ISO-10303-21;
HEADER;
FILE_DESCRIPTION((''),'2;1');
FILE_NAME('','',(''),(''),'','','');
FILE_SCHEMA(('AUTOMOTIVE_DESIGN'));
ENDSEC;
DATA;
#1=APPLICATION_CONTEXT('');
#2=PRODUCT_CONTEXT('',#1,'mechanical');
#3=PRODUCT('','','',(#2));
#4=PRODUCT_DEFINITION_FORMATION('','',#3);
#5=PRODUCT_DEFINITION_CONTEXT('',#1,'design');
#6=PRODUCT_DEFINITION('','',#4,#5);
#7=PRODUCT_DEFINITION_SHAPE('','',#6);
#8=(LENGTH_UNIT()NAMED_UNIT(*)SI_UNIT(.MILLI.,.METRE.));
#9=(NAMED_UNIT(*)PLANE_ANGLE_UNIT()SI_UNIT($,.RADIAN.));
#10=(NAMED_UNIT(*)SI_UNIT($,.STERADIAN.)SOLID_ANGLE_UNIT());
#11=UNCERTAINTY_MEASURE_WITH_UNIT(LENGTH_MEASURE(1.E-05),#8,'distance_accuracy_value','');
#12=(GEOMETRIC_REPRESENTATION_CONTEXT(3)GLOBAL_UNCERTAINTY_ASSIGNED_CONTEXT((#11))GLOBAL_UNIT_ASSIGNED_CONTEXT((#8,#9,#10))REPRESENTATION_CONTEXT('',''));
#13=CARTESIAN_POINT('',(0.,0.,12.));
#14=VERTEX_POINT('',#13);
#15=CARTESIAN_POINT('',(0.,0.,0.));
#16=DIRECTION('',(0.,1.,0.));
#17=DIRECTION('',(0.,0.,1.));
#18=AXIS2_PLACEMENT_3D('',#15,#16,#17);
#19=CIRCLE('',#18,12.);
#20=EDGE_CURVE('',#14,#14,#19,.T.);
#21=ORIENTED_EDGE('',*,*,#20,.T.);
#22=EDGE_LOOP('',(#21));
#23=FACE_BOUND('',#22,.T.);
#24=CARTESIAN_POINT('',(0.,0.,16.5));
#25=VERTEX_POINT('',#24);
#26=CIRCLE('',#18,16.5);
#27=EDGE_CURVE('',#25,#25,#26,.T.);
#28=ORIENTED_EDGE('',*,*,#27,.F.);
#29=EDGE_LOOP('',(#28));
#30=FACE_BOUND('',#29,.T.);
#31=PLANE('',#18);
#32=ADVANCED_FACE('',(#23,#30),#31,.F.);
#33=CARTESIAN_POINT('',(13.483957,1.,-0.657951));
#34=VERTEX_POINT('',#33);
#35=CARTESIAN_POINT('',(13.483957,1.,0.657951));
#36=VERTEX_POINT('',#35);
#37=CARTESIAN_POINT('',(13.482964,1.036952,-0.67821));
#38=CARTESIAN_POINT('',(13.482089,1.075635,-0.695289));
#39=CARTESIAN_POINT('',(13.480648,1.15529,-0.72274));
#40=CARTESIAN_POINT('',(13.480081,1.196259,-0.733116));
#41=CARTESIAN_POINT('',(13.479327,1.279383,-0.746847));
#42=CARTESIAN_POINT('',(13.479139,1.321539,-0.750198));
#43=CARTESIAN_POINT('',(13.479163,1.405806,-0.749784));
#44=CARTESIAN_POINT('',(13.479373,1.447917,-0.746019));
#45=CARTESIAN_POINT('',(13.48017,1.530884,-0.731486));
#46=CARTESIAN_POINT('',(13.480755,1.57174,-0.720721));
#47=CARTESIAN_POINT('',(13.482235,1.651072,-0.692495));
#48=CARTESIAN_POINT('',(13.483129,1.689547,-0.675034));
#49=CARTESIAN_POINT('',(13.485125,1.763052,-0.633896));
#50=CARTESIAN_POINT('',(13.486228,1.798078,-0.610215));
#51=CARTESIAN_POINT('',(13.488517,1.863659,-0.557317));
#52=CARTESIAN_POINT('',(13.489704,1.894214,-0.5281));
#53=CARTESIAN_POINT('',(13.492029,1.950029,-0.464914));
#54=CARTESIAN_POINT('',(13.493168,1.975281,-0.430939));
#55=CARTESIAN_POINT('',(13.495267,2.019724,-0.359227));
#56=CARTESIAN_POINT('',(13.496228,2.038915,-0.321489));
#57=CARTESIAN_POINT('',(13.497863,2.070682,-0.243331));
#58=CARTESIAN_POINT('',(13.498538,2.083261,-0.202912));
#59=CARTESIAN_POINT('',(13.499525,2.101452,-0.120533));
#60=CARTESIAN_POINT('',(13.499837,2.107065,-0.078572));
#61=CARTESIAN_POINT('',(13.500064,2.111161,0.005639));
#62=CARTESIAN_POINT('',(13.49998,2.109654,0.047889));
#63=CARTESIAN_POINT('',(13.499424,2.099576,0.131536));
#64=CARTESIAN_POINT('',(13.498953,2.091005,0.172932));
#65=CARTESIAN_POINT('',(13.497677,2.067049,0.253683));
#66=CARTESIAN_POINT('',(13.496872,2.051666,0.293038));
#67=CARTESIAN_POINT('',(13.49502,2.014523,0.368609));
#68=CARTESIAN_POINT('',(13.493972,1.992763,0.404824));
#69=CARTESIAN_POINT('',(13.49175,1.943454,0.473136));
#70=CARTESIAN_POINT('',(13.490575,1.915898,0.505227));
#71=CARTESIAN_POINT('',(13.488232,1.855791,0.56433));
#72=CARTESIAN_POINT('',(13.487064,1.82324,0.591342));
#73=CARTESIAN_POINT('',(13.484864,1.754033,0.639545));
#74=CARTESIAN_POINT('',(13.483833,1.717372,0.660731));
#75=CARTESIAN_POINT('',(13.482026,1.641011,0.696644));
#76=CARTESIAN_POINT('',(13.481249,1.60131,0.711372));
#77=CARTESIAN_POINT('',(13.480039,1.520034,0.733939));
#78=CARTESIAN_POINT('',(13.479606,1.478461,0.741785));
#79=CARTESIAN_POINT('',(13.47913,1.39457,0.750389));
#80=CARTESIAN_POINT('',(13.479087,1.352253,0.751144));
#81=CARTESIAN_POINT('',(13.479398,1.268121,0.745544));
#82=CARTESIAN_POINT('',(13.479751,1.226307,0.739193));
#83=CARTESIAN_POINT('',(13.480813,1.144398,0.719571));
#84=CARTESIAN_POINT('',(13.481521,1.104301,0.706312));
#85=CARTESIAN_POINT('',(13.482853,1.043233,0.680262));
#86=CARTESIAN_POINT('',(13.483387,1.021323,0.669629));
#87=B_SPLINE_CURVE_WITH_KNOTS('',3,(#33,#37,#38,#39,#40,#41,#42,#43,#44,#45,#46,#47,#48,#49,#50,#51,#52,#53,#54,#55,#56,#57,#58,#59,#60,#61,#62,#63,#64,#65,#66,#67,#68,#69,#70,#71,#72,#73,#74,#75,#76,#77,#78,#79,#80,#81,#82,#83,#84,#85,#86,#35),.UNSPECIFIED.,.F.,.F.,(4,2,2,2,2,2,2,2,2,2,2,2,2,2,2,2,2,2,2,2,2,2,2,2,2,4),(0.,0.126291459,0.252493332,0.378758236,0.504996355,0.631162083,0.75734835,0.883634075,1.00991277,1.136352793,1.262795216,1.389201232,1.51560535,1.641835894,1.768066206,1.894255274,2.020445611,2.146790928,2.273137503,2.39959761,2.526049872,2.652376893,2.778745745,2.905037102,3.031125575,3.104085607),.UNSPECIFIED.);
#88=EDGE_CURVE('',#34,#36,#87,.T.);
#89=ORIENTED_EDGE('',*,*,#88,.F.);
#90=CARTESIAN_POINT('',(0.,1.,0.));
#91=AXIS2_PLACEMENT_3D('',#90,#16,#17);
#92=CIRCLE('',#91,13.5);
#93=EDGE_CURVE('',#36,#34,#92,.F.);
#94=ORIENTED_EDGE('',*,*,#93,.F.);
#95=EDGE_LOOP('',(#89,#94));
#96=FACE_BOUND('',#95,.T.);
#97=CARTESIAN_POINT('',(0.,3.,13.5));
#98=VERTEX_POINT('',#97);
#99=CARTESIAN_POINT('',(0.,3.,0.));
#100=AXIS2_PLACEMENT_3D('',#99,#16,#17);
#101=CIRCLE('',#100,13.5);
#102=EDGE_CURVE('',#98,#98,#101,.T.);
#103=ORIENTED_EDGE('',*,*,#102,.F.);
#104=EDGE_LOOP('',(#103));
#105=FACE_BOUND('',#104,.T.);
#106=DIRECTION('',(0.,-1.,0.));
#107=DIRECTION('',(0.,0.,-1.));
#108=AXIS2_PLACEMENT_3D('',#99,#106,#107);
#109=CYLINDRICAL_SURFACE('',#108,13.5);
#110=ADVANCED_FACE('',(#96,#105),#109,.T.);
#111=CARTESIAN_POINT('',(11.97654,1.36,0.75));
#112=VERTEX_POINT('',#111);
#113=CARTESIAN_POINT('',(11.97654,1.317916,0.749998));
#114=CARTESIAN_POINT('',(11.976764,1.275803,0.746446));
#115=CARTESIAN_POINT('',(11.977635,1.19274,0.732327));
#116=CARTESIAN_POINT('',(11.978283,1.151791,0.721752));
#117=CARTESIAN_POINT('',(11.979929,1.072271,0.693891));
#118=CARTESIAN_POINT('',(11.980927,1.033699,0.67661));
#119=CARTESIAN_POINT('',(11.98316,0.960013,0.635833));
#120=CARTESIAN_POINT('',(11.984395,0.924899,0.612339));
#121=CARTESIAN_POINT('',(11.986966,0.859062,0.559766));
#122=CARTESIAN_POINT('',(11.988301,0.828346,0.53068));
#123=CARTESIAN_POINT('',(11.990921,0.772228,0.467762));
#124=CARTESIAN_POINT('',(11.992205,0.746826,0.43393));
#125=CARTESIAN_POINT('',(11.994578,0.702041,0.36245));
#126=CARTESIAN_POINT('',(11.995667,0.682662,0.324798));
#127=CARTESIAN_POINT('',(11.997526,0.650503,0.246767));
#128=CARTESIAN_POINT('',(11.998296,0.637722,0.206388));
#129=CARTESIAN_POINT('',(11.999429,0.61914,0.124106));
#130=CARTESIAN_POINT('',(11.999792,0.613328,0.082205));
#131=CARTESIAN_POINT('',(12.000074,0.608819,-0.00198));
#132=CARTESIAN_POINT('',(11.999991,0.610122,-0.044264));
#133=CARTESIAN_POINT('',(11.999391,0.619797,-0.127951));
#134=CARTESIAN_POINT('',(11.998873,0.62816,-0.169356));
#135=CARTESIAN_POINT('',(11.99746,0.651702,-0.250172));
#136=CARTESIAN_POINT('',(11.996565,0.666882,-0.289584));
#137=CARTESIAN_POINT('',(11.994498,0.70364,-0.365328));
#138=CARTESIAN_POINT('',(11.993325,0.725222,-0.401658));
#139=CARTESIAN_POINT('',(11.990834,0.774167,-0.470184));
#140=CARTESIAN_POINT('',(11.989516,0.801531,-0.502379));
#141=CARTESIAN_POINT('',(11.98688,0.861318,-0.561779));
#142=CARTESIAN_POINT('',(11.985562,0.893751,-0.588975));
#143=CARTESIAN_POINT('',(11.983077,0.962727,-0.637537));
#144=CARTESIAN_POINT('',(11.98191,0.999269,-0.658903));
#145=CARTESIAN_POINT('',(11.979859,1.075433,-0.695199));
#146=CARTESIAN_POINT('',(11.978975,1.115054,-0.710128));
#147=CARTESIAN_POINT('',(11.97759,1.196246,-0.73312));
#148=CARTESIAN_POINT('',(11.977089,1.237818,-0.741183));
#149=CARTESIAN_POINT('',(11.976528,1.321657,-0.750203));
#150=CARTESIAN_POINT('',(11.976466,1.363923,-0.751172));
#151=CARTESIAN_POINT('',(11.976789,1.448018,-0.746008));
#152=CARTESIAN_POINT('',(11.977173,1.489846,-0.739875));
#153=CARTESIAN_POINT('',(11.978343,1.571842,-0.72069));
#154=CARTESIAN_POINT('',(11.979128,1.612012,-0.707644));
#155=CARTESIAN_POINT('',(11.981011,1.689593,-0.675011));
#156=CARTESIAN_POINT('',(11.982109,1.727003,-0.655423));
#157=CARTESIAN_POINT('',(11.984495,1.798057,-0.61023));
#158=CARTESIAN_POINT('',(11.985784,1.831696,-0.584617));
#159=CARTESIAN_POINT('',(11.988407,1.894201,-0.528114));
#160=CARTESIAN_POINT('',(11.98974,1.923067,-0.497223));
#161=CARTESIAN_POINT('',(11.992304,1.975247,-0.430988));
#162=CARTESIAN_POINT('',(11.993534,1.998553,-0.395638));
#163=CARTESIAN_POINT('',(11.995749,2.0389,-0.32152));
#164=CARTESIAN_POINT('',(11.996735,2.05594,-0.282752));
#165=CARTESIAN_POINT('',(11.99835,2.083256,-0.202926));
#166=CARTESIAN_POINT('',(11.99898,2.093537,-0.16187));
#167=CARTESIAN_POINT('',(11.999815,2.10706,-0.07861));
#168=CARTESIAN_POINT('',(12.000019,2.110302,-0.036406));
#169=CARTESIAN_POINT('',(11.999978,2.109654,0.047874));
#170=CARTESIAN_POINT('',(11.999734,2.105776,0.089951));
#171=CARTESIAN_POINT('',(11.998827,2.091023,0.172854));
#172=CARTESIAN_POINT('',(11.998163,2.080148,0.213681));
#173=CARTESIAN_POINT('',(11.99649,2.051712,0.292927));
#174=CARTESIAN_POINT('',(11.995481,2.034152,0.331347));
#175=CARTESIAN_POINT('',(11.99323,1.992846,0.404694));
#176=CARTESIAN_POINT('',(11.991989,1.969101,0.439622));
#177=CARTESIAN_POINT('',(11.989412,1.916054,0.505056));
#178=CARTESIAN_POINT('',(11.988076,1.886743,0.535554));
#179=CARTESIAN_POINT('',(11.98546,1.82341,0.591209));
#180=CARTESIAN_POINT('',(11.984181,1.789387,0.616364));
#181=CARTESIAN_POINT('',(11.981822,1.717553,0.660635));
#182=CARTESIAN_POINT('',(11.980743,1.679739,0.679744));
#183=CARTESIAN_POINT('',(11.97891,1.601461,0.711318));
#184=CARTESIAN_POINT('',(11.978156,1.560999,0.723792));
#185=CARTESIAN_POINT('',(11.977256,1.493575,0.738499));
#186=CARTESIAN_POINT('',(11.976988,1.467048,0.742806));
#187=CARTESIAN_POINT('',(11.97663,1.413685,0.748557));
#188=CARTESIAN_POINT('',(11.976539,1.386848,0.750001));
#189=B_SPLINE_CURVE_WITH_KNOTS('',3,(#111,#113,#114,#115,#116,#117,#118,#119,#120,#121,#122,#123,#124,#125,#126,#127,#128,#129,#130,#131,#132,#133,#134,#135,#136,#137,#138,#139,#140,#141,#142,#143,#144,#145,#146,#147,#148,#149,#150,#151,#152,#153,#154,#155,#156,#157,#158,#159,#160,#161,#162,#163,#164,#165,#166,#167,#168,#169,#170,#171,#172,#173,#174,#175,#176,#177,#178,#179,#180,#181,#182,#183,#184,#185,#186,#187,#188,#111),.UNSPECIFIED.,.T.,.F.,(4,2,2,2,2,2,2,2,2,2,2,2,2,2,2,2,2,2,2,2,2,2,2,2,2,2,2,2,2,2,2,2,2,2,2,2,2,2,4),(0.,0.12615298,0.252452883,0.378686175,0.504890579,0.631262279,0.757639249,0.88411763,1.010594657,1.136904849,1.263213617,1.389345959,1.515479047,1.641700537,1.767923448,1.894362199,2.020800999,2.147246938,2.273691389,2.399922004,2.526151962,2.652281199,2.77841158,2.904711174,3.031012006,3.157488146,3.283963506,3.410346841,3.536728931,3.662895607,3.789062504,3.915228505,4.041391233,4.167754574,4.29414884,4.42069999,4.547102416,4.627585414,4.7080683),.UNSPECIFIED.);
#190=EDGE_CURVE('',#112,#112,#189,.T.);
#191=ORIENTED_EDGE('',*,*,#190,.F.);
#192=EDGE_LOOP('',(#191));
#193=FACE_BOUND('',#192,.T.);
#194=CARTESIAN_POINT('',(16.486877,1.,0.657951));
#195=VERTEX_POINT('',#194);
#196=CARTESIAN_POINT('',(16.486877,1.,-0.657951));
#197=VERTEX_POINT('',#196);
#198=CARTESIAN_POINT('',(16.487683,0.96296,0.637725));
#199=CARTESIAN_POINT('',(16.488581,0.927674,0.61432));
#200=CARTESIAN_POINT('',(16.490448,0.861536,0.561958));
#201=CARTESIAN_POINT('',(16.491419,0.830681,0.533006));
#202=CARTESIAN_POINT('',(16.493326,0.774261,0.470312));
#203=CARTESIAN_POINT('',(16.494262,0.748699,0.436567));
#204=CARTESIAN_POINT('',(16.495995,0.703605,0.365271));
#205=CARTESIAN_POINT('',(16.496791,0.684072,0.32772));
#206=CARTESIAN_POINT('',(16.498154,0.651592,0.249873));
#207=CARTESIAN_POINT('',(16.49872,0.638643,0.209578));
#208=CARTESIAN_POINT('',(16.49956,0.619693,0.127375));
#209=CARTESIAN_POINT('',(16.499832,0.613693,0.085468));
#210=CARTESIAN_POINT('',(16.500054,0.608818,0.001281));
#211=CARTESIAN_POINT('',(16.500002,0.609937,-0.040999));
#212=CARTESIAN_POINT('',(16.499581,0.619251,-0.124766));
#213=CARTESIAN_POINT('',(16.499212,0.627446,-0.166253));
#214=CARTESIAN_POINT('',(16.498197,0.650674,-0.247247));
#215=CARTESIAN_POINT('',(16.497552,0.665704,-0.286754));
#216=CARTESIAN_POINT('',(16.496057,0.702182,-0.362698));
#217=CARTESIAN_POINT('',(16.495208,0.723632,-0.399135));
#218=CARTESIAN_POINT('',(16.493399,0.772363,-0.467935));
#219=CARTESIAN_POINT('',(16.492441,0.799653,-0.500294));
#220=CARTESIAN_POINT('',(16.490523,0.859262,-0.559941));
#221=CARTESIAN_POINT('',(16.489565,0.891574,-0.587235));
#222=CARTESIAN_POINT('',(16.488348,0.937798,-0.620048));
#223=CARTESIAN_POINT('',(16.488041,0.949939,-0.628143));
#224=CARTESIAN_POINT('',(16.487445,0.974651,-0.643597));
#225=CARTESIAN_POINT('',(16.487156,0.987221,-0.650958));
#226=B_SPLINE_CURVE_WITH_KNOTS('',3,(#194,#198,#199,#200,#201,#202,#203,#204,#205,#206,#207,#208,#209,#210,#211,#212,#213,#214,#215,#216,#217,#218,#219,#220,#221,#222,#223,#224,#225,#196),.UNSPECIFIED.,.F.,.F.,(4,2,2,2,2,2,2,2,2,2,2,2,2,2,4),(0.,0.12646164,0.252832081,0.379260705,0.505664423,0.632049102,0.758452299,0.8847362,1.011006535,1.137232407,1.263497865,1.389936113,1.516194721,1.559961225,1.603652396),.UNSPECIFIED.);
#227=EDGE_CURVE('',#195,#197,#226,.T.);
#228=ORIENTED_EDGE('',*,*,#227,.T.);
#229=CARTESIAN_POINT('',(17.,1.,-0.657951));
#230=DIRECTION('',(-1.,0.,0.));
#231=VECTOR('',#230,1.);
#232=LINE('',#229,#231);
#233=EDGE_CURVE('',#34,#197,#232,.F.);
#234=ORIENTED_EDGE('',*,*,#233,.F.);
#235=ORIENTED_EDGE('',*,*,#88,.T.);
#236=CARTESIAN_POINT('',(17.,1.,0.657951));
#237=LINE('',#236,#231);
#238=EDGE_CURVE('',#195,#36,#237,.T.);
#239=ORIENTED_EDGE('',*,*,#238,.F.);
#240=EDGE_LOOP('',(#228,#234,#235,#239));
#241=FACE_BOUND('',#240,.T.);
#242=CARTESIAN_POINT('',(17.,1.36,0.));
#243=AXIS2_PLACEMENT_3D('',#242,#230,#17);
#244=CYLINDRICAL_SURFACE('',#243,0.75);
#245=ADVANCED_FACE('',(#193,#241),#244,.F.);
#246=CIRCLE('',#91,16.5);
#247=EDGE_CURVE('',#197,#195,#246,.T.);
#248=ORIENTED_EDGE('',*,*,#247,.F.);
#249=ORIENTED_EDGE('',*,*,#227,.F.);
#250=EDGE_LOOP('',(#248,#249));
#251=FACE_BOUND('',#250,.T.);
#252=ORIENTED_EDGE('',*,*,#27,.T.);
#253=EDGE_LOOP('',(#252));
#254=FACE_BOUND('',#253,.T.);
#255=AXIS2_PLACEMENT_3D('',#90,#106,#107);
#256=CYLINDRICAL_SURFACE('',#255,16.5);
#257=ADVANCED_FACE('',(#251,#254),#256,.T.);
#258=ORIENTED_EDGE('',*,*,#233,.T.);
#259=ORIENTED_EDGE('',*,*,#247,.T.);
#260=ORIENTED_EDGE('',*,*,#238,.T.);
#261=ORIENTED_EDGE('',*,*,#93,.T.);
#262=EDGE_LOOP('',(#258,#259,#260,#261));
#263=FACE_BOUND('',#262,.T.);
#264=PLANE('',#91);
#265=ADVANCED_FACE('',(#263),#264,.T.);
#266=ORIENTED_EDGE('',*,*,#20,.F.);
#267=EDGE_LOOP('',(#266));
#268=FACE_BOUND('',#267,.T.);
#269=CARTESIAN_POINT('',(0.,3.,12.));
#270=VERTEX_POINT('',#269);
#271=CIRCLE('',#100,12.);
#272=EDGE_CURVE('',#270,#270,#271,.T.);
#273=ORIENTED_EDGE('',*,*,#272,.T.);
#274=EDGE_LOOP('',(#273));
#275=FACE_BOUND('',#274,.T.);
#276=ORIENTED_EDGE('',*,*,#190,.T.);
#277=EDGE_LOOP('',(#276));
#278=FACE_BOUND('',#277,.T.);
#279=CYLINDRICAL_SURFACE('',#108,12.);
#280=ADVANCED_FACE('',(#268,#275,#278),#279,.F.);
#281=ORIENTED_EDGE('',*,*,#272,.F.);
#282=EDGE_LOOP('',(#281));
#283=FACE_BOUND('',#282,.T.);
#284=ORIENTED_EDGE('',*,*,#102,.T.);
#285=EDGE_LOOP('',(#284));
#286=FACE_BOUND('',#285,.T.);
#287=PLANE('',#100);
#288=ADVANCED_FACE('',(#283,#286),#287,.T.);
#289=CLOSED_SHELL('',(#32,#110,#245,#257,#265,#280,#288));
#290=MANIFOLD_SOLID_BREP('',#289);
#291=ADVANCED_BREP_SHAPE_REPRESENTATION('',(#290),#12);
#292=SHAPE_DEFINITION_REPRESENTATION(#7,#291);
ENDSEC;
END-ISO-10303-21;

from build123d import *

# Parameters (mm, degrees)
SKETCH1_R           = 16.5
BOSS_EXTRUDE1_DEPTH = 1
SKETCH2_R           = 13.5
BOSS_EXTRUDE2_DEPTH = 3
SKETCH3_R           = 12
CUT_EXTRUDE1_DEPTH  = 3
SKETCH5_R           = 0.75
CUT_EXTRUDE3_DEPTH  = 17


with BuildPart() as part:
    # Sketch1 → Boss-Extrude1 (new body)
    with BuildSketch(Plane(origin=(0, 0, 0), x_dir=(1, 0, 0), z_dir=(0, 1, 0))):
        Circle(SKETCH1_R)
    extrude(amount=BOSS_EXTRUDE1_DEPTH)

    # Sketch2 → Boss-Extrude2 (add)
    with BuildSketch(Plane(origin=(0, 0, 0), x_dir=(1, 0, 0), z_dir=(0, 1, 0))):
        Circle(SKETCH2_R)
    extrude(amount=BOSS_EXTRUDE2_DEPTH)

    # Sketch3 → Cut-Extrude1 (cut)
    with BuildSketch(Plane(origin=(0, 0, 0), x_dir=(1, 0, 0), z_dir=(0, 1, 0))):
        Circle(SKETCH3_R)
    extrude(amount=CUT_EXTRUDE1_DEPTH, mode=Mode.SUBTRACT)

    # Sketch5 → Cut-Extrude3 (cut)
    with BuildSketch(Plane(origin=(0, 0, 0), x_dir=(0, 0, -1), z_dir=(1, 0, 0))):
        with Locations((0, 1.36)):
            Circle(SKETCH5_R)
    extrude(amount=CUT_EXTRUDE3_DEPTH, mode=Mode.SUBTRACT)


solid = part.part
